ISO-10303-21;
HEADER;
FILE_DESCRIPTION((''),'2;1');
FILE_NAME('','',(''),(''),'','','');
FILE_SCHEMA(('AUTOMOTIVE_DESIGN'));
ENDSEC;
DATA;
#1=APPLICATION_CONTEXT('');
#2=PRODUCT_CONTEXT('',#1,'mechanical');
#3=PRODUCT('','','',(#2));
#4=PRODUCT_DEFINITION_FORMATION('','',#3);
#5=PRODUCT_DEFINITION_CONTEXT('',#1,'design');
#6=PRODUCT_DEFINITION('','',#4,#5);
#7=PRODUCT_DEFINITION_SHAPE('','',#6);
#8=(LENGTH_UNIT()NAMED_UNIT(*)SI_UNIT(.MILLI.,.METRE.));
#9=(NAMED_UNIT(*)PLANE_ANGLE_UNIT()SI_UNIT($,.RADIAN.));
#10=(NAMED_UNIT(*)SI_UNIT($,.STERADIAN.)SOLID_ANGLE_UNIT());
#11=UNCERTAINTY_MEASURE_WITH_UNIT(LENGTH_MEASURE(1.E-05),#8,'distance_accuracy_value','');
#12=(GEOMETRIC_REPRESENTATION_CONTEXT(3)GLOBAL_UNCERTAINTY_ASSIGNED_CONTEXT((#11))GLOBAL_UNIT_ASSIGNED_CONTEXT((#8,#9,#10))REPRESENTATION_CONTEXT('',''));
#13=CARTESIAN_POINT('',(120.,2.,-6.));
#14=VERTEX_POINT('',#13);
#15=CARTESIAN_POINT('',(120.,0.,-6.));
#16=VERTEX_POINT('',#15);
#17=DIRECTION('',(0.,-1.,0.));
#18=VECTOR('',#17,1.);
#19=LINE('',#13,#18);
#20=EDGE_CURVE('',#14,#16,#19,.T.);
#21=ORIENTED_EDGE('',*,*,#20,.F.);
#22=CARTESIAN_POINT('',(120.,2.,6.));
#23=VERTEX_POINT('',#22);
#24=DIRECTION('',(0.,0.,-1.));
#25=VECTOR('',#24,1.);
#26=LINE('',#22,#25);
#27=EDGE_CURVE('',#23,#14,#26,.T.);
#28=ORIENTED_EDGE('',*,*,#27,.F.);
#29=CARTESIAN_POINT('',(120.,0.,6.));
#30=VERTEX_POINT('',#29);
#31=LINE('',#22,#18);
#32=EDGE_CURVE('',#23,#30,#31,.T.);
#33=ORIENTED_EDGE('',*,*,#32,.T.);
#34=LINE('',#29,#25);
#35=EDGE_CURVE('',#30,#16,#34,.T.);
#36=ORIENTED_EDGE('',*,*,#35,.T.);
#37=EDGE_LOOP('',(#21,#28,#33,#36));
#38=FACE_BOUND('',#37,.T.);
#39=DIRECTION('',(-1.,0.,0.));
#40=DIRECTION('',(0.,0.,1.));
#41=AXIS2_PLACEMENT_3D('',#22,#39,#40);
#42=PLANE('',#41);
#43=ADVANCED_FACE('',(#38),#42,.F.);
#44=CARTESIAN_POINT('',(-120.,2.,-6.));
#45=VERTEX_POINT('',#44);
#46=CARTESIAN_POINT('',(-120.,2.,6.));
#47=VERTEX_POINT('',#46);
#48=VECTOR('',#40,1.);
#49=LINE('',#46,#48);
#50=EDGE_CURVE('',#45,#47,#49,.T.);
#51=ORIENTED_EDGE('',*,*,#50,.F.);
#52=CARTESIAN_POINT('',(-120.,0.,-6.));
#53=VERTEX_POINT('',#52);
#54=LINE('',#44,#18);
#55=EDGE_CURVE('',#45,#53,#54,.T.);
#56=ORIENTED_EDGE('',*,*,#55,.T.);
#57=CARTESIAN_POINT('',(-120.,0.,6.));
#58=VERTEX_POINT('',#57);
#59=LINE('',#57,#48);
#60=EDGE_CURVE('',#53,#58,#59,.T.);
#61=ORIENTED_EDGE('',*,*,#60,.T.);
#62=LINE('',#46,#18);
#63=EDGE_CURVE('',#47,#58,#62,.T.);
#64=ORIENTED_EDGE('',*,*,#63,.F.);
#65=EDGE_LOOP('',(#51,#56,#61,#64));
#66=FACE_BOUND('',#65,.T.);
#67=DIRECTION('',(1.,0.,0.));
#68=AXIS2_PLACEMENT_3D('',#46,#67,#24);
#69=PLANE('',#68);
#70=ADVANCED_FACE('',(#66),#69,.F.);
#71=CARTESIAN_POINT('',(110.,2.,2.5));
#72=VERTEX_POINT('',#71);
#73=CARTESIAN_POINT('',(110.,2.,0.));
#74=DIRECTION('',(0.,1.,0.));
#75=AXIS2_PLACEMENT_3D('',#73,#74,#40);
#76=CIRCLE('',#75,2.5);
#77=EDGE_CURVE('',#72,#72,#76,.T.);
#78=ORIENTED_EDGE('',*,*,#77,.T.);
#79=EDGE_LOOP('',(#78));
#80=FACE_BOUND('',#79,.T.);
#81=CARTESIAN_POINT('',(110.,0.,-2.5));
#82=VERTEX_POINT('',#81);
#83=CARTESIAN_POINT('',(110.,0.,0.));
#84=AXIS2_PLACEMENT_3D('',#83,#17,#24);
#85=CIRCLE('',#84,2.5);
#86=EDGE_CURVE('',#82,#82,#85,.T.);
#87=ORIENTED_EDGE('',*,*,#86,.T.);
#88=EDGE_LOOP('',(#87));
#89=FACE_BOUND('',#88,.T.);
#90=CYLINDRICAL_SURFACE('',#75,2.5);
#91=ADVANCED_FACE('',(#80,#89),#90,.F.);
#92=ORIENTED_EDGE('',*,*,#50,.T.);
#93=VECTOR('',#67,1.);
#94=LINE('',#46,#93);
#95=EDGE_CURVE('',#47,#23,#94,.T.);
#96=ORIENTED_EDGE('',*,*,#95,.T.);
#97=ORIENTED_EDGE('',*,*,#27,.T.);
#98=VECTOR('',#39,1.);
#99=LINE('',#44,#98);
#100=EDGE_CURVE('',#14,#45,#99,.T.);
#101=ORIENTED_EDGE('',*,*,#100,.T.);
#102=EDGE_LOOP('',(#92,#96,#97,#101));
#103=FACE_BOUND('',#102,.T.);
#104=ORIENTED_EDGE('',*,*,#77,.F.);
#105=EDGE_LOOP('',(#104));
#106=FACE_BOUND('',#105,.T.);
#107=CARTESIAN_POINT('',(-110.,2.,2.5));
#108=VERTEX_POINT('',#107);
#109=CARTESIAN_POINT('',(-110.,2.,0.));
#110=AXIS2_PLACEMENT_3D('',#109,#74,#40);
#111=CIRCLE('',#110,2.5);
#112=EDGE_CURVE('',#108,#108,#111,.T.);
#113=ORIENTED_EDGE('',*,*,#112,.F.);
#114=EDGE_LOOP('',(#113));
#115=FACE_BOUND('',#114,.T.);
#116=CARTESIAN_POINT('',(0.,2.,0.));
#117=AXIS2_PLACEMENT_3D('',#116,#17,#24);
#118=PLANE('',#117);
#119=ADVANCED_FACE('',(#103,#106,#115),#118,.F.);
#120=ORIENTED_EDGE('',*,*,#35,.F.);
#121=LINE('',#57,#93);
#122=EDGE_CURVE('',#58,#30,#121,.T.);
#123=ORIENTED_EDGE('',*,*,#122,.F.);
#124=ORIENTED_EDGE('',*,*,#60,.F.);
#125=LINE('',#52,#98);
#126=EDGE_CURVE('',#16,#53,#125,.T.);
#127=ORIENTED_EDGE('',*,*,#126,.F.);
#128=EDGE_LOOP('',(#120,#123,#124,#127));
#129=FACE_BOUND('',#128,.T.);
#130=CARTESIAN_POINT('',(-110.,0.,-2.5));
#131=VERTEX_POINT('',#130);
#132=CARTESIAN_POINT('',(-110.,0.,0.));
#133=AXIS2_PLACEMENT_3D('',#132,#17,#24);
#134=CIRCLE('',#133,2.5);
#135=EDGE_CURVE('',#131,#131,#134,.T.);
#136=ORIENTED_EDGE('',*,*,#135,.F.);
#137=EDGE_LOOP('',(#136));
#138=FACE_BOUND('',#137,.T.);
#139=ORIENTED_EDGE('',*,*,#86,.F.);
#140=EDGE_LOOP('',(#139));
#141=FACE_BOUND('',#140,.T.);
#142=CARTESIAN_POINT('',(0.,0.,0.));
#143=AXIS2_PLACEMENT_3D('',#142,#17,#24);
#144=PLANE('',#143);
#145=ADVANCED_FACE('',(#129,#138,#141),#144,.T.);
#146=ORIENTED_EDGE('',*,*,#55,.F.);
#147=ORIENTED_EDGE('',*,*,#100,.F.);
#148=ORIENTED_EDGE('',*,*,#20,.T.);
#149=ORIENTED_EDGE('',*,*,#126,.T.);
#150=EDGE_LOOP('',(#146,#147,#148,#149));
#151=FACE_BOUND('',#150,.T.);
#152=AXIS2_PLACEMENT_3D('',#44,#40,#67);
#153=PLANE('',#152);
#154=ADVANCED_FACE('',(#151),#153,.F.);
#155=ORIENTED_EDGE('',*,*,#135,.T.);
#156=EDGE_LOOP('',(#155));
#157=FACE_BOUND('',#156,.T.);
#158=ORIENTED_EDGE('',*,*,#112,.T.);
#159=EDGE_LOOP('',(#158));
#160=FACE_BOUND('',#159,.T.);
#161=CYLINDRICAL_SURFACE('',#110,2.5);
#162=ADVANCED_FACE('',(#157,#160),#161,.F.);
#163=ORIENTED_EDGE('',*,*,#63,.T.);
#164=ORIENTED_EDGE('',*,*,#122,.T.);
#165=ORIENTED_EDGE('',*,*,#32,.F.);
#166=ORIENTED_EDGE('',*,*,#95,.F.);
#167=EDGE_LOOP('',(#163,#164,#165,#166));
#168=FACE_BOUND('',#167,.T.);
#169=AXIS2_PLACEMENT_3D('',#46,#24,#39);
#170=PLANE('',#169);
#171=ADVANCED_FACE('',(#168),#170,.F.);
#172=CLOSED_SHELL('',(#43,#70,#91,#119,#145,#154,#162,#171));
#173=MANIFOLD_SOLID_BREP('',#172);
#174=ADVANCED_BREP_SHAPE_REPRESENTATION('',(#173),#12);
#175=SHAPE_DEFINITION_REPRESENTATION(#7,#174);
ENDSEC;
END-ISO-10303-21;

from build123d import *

# Parameters (mm, degrees)
SKETCH1_W                 = 240
SKETCH1_H                 = 12
BOSS_EXTRUDE1_DEPTH       = 2
F_5_0MM_DOWEL_HOLE1_D     = 5
F_5_0MM_DOWEL_HOLE1_DEPTH = 2


with BuildPart() as part:
    # Sketch1 → Boss-Extrude1 (new body)
    with BuildSketch(Plane(origin=(0, 0, 0), x_dir=(1, 0, 0), z_dir=(0, 1, 0))):
        Rectangle(SKETCH1_W, SKETCH1_H)
    extrude(amount=BOSS_EXTRUDE1_DEPTH)

    # Ø5.0mm Dowel Hole1
    with Locations(Plane(origin=(0, 2, 0), x_dir=(1, 0, 0), z_dir=(0, 1, 0))):
        with Locations((-110, 0), (110, 0)):
            Hole(F_5_0MM_DOWEL_HOLE1_D / 2, depth=F_5_0MM_DOWEL_HOLE1_DEPTH)


solid = part.part
